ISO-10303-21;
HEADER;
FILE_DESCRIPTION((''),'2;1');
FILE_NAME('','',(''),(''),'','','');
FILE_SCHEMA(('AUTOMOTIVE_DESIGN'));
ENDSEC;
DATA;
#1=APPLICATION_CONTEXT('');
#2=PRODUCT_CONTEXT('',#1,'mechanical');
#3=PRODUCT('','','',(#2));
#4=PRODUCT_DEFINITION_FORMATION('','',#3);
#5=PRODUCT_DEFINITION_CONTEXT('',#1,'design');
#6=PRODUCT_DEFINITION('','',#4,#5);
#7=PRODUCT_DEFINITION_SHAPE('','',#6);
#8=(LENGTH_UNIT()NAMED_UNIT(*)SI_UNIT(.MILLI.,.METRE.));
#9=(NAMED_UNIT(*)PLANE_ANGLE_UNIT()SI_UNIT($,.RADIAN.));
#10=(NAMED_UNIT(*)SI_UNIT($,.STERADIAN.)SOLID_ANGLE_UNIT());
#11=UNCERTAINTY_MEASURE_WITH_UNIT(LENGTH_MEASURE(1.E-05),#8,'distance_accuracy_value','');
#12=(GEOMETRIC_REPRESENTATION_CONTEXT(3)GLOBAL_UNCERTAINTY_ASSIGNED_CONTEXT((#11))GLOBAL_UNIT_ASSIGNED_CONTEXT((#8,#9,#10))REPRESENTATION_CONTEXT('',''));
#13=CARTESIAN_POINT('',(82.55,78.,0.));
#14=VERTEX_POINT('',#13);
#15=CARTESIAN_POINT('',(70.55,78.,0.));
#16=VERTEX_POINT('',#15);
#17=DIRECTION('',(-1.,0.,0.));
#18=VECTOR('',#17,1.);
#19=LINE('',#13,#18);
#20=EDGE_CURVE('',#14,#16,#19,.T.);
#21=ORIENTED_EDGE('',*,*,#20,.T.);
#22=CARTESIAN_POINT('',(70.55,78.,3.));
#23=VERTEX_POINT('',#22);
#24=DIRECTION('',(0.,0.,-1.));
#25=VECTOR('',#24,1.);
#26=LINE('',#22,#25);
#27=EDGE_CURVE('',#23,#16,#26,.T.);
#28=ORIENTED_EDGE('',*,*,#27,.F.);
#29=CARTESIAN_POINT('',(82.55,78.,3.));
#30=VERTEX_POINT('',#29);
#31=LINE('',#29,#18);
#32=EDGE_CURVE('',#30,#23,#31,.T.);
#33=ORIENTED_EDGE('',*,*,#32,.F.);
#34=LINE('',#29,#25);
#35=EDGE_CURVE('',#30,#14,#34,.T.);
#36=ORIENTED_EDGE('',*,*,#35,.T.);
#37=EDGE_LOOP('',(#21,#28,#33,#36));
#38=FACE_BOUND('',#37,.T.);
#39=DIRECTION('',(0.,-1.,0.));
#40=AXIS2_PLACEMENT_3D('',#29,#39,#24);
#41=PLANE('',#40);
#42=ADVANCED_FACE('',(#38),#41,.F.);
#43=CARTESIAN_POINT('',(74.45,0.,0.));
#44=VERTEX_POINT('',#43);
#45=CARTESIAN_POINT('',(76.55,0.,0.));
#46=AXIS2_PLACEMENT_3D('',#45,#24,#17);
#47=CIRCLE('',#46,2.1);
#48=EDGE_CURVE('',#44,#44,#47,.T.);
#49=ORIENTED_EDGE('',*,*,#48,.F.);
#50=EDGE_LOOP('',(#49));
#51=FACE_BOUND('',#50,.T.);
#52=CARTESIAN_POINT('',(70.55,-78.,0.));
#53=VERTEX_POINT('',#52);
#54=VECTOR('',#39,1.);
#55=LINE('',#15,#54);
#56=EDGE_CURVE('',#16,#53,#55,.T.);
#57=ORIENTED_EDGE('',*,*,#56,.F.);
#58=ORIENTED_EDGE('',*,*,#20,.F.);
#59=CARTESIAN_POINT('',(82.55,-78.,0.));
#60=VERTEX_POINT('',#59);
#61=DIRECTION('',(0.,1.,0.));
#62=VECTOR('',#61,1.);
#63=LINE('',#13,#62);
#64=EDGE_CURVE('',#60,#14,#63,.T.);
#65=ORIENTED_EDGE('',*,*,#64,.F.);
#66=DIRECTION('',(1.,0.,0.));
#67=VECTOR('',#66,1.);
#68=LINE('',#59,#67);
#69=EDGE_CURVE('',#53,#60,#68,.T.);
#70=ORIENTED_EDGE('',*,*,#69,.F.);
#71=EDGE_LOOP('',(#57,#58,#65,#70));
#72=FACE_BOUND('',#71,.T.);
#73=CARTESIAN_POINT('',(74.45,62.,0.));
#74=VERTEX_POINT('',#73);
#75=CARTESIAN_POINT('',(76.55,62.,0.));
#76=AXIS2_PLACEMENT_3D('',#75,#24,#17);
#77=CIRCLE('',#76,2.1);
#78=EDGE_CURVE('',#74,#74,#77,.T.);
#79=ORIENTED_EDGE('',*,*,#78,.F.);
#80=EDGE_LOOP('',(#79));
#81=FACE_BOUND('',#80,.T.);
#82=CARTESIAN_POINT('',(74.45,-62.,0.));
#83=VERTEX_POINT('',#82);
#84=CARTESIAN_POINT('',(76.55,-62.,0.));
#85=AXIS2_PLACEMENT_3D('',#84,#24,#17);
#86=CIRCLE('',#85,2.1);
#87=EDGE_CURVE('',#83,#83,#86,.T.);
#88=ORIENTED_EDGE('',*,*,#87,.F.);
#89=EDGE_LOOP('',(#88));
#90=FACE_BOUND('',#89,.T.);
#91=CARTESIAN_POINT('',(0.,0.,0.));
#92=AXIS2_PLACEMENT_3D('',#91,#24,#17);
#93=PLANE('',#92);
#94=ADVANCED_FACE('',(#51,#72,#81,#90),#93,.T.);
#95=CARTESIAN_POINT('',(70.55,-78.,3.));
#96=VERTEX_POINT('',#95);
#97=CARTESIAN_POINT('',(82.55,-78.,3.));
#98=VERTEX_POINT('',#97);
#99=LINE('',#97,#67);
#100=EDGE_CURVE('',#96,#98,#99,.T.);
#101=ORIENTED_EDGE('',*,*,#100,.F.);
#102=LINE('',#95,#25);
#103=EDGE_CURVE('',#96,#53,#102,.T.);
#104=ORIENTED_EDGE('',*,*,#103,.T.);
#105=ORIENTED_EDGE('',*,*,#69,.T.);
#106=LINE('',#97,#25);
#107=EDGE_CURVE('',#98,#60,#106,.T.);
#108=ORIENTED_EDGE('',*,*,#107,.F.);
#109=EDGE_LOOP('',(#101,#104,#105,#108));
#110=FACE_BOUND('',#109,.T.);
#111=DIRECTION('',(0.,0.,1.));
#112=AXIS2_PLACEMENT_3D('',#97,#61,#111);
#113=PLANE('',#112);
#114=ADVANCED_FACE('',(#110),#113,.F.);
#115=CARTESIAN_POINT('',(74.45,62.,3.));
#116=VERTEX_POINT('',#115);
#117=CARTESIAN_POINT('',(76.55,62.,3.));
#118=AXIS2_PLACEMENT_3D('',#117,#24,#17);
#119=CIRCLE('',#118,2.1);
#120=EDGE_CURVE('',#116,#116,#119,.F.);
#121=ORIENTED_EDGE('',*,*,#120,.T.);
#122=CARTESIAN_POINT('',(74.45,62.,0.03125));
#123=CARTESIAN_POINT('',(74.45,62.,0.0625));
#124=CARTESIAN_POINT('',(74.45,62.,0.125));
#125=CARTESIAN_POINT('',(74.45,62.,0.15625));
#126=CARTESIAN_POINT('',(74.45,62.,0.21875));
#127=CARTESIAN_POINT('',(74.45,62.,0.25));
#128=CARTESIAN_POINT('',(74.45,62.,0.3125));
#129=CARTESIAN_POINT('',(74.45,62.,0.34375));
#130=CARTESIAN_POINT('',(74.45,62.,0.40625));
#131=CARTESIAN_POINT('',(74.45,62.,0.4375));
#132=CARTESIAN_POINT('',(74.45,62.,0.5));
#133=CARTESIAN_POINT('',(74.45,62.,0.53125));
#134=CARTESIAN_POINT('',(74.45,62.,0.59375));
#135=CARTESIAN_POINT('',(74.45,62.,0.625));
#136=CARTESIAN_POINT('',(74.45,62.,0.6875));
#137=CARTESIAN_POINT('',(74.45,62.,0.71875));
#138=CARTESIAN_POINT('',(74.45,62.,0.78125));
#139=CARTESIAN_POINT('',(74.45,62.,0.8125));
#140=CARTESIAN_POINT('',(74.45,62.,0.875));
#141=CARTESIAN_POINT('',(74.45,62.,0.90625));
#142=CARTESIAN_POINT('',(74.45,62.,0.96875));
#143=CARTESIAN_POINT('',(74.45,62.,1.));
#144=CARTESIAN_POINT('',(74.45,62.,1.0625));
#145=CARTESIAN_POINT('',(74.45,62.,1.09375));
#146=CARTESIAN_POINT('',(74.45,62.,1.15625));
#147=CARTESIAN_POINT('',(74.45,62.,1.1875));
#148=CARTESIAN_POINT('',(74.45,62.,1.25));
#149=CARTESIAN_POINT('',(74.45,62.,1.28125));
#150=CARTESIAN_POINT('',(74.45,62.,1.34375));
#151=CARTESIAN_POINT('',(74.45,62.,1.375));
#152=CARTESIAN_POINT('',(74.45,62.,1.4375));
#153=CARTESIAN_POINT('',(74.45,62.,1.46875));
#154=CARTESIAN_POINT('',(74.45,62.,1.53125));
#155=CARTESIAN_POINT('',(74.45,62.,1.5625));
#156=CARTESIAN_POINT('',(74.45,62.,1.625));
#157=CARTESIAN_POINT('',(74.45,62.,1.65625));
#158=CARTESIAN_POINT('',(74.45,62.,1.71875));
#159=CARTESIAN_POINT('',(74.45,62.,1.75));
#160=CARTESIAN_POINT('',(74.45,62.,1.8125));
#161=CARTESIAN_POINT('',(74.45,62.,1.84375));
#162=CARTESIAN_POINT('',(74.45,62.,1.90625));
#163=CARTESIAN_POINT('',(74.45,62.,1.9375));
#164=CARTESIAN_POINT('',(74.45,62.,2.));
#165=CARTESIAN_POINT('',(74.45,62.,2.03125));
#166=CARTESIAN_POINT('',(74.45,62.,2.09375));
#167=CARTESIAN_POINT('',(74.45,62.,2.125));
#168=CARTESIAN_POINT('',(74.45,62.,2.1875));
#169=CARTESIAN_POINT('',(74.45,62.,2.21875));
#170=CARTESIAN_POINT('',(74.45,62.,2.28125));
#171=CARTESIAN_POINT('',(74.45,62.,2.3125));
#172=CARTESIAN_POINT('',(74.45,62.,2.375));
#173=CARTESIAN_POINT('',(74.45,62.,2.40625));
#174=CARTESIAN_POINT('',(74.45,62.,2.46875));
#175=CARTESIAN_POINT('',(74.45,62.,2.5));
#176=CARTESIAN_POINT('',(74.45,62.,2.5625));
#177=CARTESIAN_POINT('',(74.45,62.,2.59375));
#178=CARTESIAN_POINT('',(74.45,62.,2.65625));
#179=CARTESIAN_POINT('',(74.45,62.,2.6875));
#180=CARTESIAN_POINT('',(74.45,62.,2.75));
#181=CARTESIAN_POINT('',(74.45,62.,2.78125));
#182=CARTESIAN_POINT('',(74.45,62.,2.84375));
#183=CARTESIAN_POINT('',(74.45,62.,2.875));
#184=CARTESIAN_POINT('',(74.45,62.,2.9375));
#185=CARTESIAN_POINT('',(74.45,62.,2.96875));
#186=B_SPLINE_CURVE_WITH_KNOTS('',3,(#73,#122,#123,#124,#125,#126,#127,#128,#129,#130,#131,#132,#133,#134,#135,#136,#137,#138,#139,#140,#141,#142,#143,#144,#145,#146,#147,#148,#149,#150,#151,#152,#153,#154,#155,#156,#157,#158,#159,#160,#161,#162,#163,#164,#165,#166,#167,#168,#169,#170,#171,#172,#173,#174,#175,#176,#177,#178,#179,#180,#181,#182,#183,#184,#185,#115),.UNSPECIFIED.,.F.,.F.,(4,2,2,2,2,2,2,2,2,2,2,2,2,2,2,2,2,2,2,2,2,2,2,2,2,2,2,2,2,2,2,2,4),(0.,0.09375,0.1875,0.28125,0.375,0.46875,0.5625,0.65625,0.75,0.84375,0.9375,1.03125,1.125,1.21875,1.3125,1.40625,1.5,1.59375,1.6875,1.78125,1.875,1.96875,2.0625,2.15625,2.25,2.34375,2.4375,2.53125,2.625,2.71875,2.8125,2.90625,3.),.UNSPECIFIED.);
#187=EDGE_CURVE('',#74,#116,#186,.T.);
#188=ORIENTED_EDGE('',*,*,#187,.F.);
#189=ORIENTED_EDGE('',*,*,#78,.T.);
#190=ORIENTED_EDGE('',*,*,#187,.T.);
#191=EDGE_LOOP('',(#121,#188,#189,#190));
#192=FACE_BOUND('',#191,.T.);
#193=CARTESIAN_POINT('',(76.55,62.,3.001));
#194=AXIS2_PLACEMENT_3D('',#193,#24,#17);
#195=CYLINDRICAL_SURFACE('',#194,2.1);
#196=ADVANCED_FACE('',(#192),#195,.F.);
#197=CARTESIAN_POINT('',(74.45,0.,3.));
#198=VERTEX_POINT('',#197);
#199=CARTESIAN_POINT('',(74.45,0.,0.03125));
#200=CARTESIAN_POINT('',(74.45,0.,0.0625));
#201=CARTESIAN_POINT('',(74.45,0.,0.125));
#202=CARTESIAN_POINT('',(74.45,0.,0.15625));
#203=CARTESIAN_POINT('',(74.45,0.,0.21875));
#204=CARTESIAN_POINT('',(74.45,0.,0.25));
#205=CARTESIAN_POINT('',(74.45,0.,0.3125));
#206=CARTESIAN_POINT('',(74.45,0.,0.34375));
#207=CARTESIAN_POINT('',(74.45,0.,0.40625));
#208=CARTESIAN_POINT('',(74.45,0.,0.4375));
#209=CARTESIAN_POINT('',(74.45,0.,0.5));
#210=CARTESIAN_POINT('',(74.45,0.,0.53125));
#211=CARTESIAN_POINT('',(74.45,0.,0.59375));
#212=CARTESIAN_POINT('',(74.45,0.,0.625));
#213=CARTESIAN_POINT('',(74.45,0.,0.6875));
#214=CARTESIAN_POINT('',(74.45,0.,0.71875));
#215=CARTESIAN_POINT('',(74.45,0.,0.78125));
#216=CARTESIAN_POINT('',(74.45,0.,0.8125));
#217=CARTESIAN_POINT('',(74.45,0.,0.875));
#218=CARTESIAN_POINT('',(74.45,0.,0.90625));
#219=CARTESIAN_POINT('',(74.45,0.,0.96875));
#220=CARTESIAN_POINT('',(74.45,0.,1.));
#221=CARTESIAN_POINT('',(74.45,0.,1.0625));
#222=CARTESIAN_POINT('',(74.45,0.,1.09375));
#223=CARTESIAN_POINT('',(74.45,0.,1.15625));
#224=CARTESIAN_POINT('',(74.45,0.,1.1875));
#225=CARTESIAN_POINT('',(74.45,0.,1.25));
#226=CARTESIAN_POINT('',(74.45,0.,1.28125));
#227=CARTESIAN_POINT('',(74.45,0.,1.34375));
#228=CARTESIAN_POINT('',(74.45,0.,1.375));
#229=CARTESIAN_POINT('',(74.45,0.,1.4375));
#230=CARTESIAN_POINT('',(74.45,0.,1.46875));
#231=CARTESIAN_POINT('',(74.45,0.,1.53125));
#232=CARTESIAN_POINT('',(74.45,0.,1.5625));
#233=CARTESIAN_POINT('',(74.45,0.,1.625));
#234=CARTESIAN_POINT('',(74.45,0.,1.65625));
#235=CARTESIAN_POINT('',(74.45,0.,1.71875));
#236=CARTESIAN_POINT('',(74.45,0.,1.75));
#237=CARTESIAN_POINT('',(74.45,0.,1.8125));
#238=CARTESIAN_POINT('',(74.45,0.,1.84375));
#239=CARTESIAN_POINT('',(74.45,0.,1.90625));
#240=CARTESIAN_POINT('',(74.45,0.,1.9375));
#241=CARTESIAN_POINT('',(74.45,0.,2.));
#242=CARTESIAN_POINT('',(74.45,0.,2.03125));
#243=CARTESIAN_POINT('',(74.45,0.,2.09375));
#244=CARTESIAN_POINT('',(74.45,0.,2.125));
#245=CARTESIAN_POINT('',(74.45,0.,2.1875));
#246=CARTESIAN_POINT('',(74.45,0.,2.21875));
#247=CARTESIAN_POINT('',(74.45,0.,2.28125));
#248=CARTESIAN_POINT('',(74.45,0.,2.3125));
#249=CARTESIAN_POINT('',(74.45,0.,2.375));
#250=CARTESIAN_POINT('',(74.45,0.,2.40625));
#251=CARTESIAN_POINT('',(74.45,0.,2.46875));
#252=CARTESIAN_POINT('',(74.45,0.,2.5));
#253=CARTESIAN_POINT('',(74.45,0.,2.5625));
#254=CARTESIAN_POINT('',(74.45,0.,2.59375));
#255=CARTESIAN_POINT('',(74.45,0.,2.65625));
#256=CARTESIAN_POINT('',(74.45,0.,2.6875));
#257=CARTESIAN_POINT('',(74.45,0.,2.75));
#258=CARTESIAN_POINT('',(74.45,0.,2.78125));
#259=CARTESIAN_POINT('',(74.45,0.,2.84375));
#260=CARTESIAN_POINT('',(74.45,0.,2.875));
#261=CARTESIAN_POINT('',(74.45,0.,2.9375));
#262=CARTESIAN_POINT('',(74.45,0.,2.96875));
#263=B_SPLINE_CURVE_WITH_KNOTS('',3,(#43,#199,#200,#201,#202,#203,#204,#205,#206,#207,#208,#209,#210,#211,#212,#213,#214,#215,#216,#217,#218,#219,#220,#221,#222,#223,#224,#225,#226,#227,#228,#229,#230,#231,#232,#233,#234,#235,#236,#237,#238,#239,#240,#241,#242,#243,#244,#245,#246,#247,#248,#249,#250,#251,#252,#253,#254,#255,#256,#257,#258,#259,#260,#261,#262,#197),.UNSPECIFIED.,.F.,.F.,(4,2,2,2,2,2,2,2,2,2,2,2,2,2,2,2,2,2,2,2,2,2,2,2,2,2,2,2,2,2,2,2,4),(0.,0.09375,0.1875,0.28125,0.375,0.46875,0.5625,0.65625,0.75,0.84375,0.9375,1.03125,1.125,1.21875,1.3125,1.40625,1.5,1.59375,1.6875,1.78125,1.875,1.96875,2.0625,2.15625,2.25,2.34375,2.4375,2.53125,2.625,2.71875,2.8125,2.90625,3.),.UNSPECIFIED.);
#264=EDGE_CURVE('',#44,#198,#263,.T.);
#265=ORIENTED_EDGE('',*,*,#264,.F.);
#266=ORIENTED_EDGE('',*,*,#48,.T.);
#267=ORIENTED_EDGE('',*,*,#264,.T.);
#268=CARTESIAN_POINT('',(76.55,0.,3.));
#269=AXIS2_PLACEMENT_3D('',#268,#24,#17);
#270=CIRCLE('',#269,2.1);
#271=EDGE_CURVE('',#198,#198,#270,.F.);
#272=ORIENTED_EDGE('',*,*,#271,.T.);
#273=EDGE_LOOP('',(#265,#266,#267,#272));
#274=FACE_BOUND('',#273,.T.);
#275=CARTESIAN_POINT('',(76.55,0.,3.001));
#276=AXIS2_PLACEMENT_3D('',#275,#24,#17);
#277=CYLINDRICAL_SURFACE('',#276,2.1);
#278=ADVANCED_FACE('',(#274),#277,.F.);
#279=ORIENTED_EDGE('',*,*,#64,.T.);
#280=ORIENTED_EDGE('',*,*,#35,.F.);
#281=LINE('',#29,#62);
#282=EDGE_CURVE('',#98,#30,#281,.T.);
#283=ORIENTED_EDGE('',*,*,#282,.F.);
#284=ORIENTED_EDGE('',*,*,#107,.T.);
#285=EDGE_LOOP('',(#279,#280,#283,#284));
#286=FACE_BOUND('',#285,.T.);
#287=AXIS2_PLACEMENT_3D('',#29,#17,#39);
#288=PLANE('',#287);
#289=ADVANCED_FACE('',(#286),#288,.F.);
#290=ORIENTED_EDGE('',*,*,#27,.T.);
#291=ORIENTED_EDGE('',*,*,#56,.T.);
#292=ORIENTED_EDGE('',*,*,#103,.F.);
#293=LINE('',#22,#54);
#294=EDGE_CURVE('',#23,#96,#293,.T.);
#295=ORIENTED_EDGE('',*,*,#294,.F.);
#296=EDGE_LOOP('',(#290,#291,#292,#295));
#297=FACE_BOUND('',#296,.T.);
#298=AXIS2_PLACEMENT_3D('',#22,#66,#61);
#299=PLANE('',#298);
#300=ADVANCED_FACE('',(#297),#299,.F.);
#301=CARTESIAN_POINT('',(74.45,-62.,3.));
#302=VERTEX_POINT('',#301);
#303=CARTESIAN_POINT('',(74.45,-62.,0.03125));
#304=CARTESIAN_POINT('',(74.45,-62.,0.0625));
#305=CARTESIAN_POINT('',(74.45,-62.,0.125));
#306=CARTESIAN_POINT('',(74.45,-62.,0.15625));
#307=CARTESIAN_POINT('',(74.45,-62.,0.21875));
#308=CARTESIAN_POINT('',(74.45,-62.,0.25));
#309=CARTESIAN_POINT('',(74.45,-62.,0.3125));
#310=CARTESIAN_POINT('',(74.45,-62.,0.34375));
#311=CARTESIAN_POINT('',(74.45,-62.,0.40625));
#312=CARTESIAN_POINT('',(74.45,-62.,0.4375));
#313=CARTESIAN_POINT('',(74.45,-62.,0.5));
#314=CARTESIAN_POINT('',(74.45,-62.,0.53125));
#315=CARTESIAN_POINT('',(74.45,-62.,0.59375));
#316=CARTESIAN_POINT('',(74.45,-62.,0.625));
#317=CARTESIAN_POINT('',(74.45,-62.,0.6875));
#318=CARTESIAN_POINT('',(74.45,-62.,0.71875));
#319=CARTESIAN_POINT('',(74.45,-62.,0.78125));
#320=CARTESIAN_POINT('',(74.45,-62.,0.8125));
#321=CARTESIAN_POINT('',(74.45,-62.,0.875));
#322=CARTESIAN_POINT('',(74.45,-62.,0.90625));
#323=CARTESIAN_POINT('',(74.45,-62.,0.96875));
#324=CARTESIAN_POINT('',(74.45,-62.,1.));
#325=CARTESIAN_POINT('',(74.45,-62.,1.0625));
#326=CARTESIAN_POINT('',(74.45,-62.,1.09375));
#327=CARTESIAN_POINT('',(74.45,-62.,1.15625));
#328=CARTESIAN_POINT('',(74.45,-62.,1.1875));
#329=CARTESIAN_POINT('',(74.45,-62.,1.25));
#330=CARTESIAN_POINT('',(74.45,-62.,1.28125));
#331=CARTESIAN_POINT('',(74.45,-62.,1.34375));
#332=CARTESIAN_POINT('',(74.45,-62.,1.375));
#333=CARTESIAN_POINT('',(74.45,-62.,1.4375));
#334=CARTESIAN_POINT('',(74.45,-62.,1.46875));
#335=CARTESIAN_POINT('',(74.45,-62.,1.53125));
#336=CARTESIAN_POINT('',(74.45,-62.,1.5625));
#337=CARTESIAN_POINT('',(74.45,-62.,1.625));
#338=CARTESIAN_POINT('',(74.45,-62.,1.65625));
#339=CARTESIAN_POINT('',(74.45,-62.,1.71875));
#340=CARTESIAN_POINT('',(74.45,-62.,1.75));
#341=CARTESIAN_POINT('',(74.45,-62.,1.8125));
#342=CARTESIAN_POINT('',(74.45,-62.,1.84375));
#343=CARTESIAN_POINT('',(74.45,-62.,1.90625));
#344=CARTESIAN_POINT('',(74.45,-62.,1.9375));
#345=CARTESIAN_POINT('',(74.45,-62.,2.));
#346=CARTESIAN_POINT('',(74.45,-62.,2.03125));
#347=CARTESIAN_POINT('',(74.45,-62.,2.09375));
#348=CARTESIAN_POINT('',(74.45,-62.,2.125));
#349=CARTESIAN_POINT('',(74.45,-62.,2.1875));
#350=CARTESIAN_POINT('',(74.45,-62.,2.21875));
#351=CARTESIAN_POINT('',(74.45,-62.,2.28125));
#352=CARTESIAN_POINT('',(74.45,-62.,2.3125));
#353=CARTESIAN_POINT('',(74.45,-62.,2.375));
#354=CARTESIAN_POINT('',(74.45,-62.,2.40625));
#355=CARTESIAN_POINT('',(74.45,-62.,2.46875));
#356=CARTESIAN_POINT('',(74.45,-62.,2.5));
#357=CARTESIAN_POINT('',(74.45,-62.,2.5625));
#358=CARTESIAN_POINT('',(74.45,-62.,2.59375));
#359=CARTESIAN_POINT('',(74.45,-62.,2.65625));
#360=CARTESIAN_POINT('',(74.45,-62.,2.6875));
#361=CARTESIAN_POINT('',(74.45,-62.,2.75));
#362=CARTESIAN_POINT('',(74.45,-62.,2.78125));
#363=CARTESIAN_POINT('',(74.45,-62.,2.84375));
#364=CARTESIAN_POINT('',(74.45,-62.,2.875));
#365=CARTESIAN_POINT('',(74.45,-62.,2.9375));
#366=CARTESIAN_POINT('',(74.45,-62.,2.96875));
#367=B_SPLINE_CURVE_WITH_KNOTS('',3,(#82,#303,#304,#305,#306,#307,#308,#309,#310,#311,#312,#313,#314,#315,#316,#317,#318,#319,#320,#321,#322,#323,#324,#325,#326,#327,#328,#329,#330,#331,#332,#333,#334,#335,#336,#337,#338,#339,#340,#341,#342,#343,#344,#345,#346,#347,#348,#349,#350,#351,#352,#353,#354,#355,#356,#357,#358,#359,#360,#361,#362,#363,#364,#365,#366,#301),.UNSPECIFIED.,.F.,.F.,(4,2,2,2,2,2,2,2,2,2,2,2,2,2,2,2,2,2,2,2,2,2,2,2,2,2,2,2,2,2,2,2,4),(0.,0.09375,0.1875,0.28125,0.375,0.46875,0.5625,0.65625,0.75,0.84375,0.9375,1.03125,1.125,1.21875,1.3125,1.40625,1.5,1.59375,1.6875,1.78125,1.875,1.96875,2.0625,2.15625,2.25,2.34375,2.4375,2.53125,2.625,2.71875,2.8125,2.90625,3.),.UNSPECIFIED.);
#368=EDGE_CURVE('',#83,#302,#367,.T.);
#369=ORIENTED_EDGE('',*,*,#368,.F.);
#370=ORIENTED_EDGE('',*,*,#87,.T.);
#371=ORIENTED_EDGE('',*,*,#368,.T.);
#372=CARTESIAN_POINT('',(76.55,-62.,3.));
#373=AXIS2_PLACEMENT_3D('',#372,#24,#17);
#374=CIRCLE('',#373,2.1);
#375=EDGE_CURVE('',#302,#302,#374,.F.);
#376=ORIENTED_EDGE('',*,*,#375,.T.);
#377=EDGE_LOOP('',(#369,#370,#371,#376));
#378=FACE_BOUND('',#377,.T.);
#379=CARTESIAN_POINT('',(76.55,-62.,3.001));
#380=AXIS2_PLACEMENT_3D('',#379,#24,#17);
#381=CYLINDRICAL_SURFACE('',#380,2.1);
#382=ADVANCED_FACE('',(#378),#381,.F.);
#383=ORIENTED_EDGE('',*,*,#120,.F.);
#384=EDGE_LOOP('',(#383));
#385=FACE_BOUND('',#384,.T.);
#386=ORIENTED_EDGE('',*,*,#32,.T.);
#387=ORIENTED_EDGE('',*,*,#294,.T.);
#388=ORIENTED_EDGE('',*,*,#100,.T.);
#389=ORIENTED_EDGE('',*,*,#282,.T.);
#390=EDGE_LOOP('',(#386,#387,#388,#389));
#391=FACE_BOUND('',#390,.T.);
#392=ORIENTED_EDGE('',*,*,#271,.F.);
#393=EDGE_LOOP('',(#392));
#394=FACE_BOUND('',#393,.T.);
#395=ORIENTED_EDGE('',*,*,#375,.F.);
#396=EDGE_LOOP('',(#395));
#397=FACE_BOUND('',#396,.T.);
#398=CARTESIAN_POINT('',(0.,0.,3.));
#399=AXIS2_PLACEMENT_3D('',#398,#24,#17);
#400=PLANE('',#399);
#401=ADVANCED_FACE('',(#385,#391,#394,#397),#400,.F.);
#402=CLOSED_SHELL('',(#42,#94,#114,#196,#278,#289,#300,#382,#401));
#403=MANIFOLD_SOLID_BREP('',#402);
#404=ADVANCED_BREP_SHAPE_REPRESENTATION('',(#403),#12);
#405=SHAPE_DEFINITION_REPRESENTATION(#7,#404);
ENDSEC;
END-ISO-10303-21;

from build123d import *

# Parameters (mm, degrees)
SKETCH1_W           = 12
SKETCH1_H           = 156
BOSS_EXTRUDE1_DEPTH = 3
CUT_EXTRUDE1_REACH  = 115.611
SKETCH2_R           = 2.1


with BuildPart() as part:
    # Sketch1 → Boss-Extrude1 (new body)
    with BuildSketch(Plane.XY):
        with Locations((76.55, 0)):
            Rectangle(SKETCH1_W, SKETCH1_H)
    extrude(amount=BOSS_EXTRUDE1_DEPTH)

    # Sketch2 → Cut-Extrude1 (cut, up to next)
    with BuildSketch(Plane(origin=(0, 0, 0), x_dir=(-1, 0, 0), z_dir=(0, 0, -1)), mode=Mode.PRIVATE) as cut_extrude1_sk1:
        with Locations((-76.55, -62)):
            Circle(SKETCH2_R)
    cut_extrude1_tool1 = extrude(cut_extrude1_sk1.sketch, amount=-CUT_EXTRUDE1_REACH, mode=Mode.PRIVATE) & part.part
    # Sketch2 → Cut-Extrude1 (cut, up to next)
    with BuildSketch(Plane(origin=(0, 0, 0), x_dir=(-1, 0, 0), z_dir=(0, 0, -1)), mode=Mode.PRIVATE) as cut_extrude1_sk2:
        with Locations((-76.55, 0)):
            Circle(SKETCH2_R)
    cut_extrude1_tool2 = extrude(cut_extrude1_sk2.sketch, amount=-CUT_EXTRUDE1_REACH, mode=Mode.PRIVATE) & part.part
    # Sketch2 → Cut-Extrude1 (cut, up to next)
    with BuildSketch(Plane(origin=(0, 0, 0), x_dir=(-1, 0, 0), z_dir=(0, 0, -1)), mode=Mode.PRIVATE) as cut_extrude1_sk3:
        with Locations((-76.55, 62)):
            Circle(SKETCH2_R)
    cut_extrude1_tool3 = extrude(cut_extrude1_sk3.sketch, amount=-CUT_EXTRUDE1_REACH, mode=Mode.PRIVATE) & part.part
    add(cut_extrude1_tool1.solids().sort_by_distance((76.55, -62, 0))[0], mode=Mode.SUBTRACT)
    add(cut_extrude1_tool2.solids().sort_by_distance((76.55, 0, 0))[0], mode=Mode.SUBTRACT)
    add(cut_extrude1_tool3.solids().sort_by_distance((76.55, 62, 0))[0], mode=Mode.SUBTRACT)


solid = part.part
